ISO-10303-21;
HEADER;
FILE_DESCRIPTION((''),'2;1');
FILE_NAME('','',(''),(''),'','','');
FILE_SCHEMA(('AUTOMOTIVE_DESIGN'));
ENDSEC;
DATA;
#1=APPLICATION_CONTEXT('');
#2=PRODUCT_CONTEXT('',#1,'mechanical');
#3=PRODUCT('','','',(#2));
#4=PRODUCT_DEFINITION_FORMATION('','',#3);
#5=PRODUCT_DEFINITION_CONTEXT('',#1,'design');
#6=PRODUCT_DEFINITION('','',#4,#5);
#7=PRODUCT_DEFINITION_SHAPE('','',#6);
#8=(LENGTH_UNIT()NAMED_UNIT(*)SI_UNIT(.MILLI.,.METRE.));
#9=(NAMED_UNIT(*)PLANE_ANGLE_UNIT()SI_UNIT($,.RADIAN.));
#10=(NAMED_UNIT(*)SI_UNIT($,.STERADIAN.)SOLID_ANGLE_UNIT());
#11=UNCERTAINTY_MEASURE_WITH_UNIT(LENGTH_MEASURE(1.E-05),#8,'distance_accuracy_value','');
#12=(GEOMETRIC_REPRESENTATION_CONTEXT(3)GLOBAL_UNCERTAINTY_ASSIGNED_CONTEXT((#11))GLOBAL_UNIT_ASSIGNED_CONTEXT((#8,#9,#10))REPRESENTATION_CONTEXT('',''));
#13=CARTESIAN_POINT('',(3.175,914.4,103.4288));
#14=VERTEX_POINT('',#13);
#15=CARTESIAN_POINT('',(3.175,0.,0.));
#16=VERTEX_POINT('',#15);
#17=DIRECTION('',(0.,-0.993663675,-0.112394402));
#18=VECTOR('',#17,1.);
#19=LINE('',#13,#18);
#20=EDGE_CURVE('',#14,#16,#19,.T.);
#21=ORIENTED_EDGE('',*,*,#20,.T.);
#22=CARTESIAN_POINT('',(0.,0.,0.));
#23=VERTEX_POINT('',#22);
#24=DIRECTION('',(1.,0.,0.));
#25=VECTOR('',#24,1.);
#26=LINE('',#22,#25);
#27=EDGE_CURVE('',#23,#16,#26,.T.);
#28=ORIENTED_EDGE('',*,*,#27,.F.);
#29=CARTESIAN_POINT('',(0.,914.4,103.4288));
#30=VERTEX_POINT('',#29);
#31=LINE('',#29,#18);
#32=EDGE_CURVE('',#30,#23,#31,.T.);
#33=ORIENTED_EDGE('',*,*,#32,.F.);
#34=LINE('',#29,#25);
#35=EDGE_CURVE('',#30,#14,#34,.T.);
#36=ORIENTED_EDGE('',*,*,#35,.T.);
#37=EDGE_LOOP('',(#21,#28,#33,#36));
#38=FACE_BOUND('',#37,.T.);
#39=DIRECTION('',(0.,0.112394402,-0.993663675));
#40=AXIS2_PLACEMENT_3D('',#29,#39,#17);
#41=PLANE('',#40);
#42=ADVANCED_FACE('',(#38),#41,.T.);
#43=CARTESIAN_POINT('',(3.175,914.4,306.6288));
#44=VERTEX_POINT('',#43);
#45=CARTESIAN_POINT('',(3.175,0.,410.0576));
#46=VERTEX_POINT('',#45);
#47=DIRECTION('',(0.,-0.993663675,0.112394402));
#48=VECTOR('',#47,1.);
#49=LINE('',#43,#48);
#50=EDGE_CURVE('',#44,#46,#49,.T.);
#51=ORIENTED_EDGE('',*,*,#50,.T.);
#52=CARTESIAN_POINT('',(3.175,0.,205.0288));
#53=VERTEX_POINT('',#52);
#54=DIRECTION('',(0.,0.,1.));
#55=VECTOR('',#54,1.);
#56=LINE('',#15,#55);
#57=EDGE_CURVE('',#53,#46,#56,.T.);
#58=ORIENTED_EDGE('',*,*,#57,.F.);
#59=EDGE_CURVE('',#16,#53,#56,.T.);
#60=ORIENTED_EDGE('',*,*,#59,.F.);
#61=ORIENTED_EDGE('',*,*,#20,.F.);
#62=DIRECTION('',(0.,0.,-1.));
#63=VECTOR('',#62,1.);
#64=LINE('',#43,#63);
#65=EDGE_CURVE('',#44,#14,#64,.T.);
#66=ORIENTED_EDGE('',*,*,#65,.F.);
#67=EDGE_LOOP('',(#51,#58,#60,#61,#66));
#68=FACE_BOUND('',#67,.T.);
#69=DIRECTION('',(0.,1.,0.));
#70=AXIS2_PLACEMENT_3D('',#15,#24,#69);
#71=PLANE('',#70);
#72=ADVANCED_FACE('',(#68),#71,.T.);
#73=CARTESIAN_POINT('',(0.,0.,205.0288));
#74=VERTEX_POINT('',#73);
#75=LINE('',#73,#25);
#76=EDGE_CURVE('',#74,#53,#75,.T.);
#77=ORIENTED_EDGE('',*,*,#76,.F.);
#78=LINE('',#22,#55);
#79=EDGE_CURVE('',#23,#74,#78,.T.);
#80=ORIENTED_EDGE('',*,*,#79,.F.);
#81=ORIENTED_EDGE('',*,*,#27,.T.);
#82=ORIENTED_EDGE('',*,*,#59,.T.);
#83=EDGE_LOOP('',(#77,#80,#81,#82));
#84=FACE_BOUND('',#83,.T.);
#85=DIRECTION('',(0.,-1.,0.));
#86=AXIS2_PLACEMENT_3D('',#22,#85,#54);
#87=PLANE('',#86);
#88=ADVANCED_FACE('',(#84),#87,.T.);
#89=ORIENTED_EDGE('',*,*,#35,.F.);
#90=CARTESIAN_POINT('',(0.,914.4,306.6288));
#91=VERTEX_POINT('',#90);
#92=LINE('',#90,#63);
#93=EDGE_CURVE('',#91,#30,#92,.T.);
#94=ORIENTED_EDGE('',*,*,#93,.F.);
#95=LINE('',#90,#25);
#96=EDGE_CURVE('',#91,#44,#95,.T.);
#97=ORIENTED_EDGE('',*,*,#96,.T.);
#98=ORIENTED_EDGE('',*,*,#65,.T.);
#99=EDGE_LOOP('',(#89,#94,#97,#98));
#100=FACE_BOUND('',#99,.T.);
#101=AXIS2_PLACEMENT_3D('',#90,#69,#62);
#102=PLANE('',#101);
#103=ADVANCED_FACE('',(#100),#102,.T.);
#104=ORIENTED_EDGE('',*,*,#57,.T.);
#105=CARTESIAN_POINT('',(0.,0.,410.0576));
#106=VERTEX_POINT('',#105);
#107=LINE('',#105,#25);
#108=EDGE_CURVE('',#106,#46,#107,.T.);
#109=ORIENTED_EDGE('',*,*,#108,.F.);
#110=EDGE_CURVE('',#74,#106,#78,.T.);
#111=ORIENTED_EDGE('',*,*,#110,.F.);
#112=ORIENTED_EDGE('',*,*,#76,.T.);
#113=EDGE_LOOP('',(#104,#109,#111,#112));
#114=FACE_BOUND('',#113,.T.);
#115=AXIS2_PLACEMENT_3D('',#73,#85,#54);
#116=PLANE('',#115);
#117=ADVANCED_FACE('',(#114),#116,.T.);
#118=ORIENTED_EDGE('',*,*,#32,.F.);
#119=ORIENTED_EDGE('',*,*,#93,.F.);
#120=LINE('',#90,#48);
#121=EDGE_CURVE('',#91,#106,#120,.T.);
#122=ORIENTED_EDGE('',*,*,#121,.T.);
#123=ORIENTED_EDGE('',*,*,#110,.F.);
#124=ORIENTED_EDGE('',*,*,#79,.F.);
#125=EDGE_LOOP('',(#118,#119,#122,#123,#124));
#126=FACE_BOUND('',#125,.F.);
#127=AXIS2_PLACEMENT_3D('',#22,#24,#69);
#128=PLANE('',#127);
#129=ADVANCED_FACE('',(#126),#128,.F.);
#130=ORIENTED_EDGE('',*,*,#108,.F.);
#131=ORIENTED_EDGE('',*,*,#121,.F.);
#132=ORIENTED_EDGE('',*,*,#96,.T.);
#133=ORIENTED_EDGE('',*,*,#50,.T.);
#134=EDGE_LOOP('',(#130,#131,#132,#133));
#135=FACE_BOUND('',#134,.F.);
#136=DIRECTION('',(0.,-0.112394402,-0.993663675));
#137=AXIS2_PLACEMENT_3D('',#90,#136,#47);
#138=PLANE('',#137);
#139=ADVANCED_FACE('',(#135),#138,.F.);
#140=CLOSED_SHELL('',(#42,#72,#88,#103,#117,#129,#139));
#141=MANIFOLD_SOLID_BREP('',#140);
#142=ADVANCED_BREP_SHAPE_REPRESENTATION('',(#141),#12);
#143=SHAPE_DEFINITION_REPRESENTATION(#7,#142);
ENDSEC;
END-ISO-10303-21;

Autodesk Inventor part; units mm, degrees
ref_plane "YZ Plane" through (0, 0, 0) normal (1, 0, 0) x (0, 1, 0)
ref_plane "XZ Plane" through (0, 0, 0) normal (0, 1, 0) x (-1, 0, 0)
ref_plane "XY Plane" through (0, 0, 0) normal (0, 0, 1) x (1, 0, 0)
sketch "Sketch1" plane through (0, 0, 0) normal (1, 0, 0) x (0, 1, 0)
  line L0 (0, 0) -> (0, 410.0576)
  line L1 (0, 0) -> (0, 205.0288)
  line L2 (0, 205.0288) -> (914.4, 205.0288) construction
  line L3 (914.4, 306.6288) -> (914.4, 103.4288)
  line L4 (914.4, 306.6288) -> (0, 410.0576)
  line L5 (914.4, 103.4288) -> (0, 0)
  dimension "d0" = 410.0576
  dimension "d2" = 914.4
  dimension "d4" = 203.2
  dimension "d5" = 205.0288
  dimension "d6" = 920.2309
  dimension "d7" = 920.2309
extrude "Extrusion1" add sketch "Sketch1" along normal blind 3.175
properties part number "Polycarb Back Pannel" material "Polycarbonate, Clear"
